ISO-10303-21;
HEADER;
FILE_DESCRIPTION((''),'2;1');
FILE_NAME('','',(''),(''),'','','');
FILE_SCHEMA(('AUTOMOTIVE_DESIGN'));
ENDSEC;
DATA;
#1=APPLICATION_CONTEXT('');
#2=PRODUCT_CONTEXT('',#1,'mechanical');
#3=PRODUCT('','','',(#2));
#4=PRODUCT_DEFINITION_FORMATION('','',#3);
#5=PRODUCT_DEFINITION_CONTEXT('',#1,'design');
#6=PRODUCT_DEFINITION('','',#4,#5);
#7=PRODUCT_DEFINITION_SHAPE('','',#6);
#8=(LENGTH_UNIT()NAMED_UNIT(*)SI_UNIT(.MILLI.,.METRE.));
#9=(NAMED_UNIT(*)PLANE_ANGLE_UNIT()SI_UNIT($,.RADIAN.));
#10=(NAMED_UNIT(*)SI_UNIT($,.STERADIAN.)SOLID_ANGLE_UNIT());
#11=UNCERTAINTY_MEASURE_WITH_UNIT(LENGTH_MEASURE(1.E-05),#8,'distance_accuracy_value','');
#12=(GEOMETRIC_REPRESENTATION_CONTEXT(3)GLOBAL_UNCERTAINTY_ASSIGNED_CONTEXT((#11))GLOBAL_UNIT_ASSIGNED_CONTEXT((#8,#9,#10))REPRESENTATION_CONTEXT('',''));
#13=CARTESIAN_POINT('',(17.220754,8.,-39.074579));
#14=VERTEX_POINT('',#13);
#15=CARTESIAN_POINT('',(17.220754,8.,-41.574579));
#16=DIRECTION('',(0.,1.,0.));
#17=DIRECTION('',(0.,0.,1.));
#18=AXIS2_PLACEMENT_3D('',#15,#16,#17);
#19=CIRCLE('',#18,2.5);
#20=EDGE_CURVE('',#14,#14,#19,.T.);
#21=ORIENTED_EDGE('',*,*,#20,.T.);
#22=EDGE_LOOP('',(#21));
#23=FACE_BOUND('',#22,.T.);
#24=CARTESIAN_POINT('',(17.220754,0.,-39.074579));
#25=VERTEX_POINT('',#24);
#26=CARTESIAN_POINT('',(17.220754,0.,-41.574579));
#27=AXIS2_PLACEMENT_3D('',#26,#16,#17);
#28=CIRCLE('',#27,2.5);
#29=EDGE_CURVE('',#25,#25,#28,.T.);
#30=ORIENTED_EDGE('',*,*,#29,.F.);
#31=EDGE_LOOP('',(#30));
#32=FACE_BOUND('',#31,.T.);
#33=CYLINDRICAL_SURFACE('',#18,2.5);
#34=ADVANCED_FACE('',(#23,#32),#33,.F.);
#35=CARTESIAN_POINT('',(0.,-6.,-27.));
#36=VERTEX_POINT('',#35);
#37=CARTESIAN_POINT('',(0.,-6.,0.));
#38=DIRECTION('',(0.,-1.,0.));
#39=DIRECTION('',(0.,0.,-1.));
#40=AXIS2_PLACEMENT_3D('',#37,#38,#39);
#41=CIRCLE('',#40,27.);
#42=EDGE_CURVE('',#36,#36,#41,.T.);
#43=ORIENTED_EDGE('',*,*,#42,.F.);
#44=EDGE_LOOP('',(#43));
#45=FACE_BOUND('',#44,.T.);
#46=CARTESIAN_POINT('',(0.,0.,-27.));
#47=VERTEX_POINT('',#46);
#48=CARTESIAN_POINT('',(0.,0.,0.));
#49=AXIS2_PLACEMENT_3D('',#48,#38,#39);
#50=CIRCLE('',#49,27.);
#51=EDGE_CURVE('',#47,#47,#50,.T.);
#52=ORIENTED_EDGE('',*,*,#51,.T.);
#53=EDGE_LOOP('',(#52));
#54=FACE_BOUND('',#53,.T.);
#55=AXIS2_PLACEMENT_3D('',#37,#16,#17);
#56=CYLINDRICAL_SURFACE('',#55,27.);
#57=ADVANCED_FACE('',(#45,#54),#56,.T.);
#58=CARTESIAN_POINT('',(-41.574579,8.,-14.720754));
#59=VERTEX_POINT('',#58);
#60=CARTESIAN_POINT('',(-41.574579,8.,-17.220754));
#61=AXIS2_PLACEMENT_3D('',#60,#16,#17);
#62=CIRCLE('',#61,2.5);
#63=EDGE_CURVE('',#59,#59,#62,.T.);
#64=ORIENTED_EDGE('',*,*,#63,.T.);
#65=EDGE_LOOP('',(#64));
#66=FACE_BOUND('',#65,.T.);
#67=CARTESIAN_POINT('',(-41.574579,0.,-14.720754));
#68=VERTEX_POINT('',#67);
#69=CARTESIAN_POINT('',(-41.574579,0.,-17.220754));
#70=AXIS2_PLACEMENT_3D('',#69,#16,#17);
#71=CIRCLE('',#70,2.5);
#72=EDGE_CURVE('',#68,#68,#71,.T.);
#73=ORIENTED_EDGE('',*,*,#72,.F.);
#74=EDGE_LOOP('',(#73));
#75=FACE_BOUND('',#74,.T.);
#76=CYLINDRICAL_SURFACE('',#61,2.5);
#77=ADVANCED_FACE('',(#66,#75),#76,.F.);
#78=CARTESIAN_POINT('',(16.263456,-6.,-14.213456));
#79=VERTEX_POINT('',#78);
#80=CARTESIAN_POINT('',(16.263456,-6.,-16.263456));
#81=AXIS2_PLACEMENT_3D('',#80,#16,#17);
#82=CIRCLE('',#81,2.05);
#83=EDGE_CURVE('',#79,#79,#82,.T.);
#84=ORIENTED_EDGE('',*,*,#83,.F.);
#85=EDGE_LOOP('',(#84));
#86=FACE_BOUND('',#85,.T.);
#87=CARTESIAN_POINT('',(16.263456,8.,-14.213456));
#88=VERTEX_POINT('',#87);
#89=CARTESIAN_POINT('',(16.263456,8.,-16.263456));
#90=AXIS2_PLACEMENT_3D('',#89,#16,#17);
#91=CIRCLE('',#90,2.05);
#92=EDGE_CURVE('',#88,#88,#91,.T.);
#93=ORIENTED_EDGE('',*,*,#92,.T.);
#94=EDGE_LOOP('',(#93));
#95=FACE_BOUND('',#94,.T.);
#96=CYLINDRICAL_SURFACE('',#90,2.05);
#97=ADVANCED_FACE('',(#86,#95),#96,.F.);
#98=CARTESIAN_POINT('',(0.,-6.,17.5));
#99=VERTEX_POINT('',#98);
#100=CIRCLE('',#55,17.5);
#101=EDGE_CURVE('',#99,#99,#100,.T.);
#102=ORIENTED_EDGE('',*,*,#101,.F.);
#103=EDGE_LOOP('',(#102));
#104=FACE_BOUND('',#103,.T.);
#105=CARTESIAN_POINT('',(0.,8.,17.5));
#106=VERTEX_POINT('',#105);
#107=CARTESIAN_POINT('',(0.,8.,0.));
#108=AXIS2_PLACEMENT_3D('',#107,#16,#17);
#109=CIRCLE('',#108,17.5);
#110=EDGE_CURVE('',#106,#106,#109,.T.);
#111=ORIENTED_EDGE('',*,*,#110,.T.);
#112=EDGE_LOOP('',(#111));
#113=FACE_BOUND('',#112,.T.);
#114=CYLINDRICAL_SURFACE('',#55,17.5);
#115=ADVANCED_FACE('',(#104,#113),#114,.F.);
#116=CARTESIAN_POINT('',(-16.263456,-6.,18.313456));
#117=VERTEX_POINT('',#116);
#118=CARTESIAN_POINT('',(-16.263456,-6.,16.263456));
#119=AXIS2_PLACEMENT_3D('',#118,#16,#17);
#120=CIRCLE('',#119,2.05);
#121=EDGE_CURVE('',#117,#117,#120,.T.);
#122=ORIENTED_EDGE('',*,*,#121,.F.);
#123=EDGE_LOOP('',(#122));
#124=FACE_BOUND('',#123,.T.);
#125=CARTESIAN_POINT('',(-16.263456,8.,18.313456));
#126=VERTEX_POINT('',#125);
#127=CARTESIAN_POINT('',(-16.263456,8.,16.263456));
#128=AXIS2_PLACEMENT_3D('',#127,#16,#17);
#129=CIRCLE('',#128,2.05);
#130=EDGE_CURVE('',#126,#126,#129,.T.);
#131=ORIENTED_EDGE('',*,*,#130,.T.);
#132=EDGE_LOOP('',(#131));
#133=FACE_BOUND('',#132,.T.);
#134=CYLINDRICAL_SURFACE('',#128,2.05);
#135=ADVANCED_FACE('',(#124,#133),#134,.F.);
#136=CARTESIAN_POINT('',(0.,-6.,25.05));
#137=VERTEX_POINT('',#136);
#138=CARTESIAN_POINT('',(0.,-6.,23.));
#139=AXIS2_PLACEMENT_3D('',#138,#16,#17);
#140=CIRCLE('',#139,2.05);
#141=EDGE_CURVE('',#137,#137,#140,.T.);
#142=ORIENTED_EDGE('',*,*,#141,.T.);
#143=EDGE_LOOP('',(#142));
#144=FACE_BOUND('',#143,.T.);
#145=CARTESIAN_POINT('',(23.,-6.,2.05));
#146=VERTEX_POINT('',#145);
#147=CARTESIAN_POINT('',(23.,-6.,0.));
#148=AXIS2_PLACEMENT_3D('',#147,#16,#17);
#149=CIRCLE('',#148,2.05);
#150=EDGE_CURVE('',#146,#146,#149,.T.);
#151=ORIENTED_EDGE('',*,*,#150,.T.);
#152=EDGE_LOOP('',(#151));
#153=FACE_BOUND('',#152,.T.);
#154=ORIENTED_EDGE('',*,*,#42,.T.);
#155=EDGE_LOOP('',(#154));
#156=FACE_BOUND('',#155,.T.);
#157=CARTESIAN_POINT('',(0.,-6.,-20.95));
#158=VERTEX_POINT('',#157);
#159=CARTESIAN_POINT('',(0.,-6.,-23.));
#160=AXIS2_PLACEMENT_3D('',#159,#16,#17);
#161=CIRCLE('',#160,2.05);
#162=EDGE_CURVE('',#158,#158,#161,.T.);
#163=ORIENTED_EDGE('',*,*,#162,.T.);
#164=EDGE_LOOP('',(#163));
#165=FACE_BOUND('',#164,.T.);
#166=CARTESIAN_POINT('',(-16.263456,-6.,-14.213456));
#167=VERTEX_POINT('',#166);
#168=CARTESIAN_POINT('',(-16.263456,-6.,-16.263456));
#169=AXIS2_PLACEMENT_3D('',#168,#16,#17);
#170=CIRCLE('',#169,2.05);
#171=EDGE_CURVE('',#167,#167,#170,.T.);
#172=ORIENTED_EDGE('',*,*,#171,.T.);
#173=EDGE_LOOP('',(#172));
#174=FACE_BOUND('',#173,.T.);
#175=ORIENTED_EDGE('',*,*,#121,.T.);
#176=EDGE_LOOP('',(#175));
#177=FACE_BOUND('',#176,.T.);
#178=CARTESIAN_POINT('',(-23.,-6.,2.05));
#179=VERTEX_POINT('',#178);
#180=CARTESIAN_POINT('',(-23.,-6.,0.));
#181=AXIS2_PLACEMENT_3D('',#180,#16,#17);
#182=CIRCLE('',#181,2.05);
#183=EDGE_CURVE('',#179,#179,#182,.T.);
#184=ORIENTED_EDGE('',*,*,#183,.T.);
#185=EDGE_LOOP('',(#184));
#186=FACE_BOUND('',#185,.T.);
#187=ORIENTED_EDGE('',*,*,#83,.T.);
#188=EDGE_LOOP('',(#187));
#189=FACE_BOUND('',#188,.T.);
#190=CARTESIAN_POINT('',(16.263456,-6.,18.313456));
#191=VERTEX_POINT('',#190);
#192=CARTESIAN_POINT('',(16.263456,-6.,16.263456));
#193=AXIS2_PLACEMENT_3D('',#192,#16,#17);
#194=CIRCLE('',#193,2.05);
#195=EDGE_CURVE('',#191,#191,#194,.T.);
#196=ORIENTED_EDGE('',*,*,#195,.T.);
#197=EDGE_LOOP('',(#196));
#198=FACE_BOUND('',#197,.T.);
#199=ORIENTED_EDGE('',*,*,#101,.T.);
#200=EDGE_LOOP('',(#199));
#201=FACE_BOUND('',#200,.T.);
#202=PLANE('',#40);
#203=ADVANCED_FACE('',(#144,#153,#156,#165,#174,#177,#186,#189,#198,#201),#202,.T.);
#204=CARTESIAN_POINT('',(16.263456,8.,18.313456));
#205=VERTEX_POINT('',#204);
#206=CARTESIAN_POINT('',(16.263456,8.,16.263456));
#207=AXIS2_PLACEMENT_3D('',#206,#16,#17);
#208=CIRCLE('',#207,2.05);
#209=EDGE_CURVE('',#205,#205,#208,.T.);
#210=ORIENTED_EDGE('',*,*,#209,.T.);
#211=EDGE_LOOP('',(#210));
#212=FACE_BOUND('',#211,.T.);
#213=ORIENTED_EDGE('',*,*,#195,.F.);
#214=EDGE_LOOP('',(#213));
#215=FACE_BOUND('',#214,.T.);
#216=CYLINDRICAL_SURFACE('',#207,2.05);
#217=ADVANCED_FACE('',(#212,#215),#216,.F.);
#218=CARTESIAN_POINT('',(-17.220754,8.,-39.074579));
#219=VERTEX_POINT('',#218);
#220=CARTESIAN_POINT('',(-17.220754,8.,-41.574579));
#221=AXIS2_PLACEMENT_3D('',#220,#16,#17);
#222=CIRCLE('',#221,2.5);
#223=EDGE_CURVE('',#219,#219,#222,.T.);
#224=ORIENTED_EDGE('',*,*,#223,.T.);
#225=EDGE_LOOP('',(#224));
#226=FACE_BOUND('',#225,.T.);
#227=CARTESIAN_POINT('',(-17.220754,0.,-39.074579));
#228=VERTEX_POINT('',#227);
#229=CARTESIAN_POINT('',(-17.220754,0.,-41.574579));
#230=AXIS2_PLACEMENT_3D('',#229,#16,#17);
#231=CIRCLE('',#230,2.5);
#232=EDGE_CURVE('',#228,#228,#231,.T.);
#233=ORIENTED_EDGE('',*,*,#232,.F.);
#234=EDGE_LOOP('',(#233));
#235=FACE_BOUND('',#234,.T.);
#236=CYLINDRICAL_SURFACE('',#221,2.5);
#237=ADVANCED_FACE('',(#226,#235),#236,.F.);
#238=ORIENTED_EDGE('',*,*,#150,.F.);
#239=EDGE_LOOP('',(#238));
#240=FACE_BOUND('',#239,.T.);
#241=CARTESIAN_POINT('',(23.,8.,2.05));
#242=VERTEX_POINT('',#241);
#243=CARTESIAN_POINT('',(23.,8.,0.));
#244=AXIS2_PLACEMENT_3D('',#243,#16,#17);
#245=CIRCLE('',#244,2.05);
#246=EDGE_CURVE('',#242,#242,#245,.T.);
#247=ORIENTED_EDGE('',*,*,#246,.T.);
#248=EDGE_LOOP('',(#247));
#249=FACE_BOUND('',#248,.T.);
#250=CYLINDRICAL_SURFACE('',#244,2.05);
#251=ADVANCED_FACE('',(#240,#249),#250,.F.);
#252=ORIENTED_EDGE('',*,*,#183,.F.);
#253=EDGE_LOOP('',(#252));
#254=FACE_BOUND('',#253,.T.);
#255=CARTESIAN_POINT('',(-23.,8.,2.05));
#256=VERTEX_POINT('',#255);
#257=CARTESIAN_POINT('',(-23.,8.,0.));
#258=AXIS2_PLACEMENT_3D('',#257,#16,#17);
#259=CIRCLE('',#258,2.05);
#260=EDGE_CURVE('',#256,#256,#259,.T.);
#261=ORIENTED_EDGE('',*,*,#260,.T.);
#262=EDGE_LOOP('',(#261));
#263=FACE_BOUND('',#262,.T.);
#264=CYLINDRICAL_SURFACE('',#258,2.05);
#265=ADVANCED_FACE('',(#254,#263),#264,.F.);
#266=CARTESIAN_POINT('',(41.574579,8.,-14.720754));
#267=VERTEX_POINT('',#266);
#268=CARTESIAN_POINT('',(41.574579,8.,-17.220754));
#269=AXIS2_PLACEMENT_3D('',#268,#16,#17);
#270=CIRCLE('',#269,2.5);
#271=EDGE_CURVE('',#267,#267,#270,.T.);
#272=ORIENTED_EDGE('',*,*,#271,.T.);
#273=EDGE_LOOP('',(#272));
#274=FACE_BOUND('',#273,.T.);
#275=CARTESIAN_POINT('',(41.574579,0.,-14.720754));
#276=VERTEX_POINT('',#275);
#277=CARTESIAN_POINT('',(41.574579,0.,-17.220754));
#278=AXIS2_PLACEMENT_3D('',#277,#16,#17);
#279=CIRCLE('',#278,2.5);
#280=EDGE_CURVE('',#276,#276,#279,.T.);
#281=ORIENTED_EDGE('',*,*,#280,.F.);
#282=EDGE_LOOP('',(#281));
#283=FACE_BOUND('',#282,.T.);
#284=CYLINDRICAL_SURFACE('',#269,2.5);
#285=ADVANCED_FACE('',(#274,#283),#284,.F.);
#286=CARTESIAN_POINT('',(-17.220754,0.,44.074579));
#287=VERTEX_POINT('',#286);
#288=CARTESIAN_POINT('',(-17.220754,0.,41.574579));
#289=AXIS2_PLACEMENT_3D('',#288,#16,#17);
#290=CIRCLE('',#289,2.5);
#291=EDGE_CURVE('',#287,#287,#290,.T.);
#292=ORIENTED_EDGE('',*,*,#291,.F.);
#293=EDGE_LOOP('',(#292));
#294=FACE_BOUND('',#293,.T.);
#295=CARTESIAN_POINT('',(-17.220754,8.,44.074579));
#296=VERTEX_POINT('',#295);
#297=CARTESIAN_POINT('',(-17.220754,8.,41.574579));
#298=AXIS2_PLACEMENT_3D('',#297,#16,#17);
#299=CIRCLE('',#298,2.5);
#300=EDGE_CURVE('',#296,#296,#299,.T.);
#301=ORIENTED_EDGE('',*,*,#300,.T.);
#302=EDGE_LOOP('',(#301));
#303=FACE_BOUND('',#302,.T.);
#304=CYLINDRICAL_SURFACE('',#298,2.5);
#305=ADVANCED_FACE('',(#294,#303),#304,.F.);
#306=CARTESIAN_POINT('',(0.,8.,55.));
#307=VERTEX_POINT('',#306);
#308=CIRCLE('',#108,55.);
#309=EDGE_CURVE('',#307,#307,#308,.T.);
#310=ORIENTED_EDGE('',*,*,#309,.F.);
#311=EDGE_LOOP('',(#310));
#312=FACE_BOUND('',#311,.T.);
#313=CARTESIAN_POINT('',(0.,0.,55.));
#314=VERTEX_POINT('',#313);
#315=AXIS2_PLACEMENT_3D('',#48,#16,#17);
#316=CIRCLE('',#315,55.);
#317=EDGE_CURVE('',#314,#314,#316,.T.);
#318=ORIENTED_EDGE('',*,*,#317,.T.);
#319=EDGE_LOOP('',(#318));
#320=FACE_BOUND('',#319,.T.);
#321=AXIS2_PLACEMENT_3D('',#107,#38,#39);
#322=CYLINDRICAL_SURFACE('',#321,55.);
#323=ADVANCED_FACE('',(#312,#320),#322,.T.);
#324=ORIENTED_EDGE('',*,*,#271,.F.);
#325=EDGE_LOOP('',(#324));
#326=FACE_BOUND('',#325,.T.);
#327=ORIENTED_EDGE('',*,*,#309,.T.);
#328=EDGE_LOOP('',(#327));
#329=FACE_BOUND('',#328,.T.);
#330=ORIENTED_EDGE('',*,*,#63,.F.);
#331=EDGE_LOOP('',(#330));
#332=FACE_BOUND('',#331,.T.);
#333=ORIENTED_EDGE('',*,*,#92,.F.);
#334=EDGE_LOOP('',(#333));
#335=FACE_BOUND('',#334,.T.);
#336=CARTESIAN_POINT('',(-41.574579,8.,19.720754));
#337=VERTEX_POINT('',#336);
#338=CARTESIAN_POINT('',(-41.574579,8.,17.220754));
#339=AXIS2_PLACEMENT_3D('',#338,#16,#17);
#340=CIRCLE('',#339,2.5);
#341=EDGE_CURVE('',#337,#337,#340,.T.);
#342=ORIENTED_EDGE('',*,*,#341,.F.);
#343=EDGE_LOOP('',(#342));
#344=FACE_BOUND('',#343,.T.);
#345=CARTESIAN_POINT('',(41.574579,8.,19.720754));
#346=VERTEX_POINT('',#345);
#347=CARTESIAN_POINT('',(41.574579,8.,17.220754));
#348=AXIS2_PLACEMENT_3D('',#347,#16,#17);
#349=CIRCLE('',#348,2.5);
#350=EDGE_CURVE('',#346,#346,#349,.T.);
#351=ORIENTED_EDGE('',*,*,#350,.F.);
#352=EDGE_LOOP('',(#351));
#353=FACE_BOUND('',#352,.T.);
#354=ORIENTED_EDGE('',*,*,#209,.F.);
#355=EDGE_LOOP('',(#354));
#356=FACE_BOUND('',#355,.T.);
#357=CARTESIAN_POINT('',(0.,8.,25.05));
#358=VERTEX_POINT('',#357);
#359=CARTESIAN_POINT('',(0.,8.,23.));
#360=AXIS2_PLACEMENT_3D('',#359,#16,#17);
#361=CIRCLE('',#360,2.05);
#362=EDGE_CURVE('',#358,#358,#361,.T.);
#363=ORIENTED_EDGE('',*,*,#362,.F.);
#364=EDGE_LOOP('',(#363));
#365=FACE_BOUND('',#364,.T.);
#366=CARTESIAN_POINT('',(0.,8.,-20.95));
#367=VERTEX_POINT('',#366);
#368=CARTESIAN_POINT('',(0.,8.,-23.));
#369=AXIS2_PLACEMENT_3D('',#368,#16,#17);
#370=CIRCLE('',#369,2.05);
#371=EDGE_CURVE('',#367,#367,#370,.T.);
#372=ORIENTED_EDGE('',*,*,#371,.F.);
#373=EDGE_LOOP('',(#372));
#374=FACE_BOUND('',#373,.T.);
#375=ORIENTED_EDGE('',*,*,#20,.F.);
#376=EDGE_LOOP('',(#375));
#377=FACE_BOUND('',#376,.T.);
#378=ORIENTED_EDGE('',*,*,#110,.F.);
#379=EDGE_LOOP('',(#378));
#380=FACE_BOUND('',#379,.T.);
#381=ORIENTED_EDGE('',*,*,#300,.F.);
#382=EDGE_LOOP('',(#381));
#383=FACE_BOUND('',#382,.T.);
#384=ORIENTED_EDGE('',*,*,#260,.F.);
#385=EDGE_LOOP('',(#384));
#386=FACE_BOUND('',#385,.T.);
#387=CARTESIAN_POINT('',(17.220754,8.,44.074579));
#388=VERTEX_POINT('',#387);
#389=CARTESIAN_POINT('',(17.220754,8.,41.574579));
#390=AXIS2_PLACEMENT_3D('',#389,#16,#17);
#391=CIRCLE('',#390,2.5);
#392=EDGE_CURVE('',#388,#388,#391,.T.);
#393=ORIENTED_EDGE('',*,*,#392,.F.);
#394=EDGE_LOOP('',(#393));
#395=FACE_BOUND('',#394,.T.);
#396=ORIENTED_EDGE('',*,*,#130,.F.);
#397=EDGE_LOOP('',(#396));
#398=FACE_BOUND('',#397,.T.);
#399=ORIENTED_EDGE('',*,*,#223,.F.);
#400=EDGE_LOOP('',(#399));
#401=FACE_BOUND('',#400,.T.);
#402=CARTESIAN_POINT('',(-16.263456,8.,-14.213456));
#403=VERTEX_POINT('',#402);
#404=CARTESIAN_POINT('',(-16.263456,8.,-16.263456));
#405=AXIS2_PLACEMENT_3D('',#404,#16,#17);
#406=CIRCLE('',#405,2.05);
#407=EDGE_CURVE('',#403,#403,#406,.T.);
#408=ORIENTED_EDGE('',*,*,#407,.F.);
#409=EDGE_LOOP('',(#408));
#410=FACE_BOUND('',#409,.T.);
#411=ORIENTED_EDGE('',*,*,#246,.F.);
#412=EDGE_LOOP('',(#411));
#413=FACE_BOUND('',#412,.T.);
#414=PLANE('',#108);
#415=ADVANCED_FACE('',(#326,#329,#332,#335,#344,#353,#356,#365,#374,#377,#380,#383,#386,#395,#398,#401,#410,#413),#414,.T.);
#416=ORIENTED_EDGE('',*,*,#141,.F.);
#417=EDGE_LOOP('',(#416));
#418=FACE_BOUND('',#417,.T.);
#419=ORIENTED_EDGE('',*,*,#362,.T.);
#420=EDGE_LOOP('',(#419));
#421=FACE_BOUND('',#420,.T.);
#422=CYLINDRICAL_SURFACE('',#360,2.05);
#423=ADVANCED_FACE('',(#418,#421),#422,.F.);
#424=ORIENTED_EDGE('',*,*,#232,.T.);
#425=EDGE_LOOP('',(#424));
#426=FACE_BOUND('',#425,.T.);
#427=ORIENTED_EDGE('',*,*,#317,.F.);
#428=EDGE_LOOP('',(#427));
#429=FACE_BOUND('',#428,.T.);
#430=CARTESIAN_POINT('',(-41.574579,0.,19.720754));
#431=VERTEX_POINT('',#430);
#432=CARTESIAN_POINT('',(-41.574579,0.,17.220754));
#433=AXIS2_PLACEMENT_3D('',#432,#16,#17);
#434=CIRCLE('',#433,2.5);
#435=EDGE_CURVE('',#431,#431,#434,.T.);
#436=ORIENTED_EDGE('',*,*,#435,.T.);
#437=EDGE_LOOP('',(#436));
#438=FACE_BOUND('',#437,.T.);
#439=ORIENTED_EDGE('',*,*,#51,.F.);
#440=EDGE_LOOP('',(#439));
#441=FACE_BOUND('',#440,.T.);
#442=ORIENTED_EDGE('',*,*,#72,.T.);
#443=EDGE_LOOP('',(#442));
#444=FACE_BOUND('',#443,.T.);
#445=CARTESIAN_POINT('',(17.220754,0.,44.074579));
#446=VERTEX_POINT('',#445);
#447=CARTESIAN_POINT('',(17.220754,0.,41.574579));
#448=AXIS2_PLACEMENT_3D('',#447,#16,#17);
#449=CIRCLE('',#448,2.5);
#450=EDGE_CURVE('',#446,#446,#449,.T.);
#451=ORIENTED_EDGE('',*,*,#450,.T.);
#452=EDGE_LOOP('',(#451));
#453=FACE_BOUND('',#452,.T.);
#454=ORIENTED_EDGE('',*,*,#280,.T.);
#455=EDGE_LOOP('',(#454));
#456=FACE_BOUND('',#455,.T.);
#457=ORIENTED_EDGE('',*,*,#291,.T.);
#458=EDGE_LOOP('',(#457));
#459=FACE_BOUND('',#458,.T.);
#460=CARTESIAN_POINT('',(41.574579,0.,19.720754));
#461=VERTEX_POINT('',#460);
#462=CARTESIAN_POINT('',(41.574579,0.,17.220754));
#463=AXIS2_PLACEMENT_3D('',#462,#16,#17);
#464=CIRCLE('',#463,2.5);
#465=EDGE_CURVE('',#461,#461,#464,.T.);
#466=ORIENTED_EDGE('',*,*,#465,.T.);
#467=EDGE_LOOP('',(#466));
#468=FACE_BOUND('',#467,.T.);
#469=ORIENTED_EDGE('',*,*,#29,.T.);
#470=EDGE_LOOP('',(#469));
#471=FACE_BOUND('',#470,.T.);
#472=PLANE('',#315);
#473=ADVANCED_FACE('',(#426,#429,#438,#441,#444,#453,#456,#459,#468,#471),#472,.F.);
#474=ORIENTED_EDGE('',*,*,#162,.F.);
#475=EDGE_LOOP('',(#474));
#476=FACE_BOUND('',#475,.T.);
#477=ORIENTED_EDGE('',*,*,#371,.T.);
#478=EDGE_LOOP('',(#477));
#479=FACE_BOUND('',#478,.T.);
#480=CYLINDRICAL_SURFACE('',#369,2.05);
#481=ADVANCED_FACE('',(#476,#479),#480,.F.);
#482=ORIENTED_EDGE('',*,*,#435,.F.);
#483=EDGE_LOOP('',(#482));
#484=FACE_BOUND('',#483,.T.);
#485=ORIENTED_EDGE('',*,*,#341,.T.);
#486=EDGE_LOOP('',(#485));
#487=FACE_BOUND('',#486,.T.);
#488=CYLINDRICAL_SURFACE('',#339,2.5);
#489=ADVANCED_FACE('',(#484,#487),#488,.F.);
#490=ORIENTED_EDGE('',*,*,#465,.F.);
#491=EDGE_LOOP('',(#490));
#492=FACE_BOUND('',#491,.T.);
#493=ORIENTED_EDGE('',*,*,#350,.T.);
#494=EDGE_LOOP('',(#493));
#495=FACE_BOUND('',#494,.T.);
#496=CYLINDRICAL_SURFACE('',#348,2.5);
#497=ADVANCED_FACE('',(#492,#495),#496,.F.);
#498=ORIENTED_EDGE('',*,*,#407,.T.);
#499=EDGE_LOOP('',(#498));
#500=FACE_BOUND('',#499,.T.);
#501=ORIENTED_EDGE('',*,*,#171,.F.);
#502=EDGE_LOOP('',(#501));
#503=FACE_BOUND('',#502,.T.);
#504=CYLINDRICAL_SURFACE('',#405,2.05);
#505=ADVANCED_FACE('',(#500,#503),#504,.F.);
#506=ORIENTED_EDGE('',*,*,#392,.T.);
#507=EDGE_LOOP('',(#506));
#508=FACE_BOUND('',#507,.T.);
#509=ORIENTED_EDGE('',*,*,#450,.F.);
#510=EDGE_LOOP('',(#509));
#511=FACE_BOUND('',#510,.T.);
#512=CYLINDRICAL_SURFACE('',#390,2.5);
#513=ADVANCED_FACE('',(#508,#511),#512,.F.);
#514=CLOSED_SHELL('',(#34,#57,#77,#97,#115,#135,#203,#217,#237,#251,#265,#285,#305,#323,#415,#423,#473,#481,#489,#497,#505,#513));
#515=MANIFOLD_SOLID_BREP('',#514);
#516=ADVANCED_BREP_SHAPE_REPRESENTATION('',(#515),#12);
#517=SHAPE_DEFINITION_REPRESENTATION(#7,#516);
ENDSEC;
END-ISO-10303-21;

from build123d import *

# Parameters (mm, degrees)
SKETCH1_R                   = 55
BOSS_EXTRUDE1_DEPTH         = 8
SKETCH2_R                   = 27
BOSS_EXTRUDE2_DEPTH         = 6
SKETCH3_R                   = 17.5
CUT_EXTRUDE1_DEPTH          = 80.031639234
M4_CLEARANCE_HOLE1_D        = 4.1
CIRPATTERN1_COUNT           = 8
TAP_DRILL_FOR_M6X1_0_TAP1_D = 5
CIRPATTERN2_COUNT           = 8


with BuildPart() as part:
    # Sketch1 → Boss-Extrude1 (new body)
    with BuildSketch(Plane(origin=(0, 0, 0), x_dir=(1, 0, 0), z_dir=(0, 1, 0))):
        with Locations(Location((0, 0, 0), (0, 0, 270))):
            Circle(SKETCH1_R)
    extrude(amount=BOSS_EXTRUDE1_DEPTH)

    # Sketch2 → Boss-Extrude2 (add)
    with BuildSketch(Plane.XZ):
        with Locations(Location((0, 0, 0), (0, 0, 270))):
            Circle(SKETCH2_R)
    extrude(amount=BOSS_EXTRUDE2_DEPTH)

    # Sketch3 → Cut-Extrude1 (cut, through all)
    with BuildSketch(Plane(origin=(0, 8, 0), x_dir=(1, 0, 0), z_dir=(0, 1, 0))):
        with Locations(Location((0, 0, 0), (0, 0, 270))):
            Circle(SKETCH3_R)
    extrude(amount=-CUT_EXTRUDE1_DEPTH, mode=Mode.SUBTRACT)

    # M4 Clearance Hole1 (through all)
    with Locations(Plane(origin=(0, 8, 0), x_dir=(1, 0, 0), z_dir=(0, 1, 0))):
        with Locations((0, 23)):
            m4_clearance_hole1 = Hole(M4_CLEARANCE_HOLE1_D / 2)

    # CirPattern1: M4 Clearance Hole1 ×8 about axis
    cirpattern1_axis = Axis((0, 0, 0), (0, 1, 0))
    for i in range(1, CIRPATTERN1_COUNT):
        add(m4_clearance_hole1.rotate(cirpattern1_axis, i * 360 / CIRPATTERN1_COUNT), mode=Mode.SUBTRACT)

    # Tap Drill for M6x1.0 Tap1 (through all)
    with Locations(Plane(origin=(0, 8, 0), x_dir=(1, 0, 0), z_dir=(0, 1, 0))):
        with Locations((17.220754456, 41.574578963)):
            tap_drill_for_m6x1_0_tap1 = Hole(TAP_DRILL_FOR_M6X1_0_TAP1_D / 2)

    # CirPattern2: Tap Drill for M6x1.0 Tap1 ×8 about axis
    cirpattern2_axis = Axis((0, 0, 0), (0, 1, 0))
    for i in range(1, CIRPATTERN2_COUNT):
        add(tap_drill_for_m6x1_0_tap1.rotate(cirpattern2_axis, i * 360 / CIRPATTERN2_COUNT), mode=Mode.SUBTRACT)


solid = part.part
